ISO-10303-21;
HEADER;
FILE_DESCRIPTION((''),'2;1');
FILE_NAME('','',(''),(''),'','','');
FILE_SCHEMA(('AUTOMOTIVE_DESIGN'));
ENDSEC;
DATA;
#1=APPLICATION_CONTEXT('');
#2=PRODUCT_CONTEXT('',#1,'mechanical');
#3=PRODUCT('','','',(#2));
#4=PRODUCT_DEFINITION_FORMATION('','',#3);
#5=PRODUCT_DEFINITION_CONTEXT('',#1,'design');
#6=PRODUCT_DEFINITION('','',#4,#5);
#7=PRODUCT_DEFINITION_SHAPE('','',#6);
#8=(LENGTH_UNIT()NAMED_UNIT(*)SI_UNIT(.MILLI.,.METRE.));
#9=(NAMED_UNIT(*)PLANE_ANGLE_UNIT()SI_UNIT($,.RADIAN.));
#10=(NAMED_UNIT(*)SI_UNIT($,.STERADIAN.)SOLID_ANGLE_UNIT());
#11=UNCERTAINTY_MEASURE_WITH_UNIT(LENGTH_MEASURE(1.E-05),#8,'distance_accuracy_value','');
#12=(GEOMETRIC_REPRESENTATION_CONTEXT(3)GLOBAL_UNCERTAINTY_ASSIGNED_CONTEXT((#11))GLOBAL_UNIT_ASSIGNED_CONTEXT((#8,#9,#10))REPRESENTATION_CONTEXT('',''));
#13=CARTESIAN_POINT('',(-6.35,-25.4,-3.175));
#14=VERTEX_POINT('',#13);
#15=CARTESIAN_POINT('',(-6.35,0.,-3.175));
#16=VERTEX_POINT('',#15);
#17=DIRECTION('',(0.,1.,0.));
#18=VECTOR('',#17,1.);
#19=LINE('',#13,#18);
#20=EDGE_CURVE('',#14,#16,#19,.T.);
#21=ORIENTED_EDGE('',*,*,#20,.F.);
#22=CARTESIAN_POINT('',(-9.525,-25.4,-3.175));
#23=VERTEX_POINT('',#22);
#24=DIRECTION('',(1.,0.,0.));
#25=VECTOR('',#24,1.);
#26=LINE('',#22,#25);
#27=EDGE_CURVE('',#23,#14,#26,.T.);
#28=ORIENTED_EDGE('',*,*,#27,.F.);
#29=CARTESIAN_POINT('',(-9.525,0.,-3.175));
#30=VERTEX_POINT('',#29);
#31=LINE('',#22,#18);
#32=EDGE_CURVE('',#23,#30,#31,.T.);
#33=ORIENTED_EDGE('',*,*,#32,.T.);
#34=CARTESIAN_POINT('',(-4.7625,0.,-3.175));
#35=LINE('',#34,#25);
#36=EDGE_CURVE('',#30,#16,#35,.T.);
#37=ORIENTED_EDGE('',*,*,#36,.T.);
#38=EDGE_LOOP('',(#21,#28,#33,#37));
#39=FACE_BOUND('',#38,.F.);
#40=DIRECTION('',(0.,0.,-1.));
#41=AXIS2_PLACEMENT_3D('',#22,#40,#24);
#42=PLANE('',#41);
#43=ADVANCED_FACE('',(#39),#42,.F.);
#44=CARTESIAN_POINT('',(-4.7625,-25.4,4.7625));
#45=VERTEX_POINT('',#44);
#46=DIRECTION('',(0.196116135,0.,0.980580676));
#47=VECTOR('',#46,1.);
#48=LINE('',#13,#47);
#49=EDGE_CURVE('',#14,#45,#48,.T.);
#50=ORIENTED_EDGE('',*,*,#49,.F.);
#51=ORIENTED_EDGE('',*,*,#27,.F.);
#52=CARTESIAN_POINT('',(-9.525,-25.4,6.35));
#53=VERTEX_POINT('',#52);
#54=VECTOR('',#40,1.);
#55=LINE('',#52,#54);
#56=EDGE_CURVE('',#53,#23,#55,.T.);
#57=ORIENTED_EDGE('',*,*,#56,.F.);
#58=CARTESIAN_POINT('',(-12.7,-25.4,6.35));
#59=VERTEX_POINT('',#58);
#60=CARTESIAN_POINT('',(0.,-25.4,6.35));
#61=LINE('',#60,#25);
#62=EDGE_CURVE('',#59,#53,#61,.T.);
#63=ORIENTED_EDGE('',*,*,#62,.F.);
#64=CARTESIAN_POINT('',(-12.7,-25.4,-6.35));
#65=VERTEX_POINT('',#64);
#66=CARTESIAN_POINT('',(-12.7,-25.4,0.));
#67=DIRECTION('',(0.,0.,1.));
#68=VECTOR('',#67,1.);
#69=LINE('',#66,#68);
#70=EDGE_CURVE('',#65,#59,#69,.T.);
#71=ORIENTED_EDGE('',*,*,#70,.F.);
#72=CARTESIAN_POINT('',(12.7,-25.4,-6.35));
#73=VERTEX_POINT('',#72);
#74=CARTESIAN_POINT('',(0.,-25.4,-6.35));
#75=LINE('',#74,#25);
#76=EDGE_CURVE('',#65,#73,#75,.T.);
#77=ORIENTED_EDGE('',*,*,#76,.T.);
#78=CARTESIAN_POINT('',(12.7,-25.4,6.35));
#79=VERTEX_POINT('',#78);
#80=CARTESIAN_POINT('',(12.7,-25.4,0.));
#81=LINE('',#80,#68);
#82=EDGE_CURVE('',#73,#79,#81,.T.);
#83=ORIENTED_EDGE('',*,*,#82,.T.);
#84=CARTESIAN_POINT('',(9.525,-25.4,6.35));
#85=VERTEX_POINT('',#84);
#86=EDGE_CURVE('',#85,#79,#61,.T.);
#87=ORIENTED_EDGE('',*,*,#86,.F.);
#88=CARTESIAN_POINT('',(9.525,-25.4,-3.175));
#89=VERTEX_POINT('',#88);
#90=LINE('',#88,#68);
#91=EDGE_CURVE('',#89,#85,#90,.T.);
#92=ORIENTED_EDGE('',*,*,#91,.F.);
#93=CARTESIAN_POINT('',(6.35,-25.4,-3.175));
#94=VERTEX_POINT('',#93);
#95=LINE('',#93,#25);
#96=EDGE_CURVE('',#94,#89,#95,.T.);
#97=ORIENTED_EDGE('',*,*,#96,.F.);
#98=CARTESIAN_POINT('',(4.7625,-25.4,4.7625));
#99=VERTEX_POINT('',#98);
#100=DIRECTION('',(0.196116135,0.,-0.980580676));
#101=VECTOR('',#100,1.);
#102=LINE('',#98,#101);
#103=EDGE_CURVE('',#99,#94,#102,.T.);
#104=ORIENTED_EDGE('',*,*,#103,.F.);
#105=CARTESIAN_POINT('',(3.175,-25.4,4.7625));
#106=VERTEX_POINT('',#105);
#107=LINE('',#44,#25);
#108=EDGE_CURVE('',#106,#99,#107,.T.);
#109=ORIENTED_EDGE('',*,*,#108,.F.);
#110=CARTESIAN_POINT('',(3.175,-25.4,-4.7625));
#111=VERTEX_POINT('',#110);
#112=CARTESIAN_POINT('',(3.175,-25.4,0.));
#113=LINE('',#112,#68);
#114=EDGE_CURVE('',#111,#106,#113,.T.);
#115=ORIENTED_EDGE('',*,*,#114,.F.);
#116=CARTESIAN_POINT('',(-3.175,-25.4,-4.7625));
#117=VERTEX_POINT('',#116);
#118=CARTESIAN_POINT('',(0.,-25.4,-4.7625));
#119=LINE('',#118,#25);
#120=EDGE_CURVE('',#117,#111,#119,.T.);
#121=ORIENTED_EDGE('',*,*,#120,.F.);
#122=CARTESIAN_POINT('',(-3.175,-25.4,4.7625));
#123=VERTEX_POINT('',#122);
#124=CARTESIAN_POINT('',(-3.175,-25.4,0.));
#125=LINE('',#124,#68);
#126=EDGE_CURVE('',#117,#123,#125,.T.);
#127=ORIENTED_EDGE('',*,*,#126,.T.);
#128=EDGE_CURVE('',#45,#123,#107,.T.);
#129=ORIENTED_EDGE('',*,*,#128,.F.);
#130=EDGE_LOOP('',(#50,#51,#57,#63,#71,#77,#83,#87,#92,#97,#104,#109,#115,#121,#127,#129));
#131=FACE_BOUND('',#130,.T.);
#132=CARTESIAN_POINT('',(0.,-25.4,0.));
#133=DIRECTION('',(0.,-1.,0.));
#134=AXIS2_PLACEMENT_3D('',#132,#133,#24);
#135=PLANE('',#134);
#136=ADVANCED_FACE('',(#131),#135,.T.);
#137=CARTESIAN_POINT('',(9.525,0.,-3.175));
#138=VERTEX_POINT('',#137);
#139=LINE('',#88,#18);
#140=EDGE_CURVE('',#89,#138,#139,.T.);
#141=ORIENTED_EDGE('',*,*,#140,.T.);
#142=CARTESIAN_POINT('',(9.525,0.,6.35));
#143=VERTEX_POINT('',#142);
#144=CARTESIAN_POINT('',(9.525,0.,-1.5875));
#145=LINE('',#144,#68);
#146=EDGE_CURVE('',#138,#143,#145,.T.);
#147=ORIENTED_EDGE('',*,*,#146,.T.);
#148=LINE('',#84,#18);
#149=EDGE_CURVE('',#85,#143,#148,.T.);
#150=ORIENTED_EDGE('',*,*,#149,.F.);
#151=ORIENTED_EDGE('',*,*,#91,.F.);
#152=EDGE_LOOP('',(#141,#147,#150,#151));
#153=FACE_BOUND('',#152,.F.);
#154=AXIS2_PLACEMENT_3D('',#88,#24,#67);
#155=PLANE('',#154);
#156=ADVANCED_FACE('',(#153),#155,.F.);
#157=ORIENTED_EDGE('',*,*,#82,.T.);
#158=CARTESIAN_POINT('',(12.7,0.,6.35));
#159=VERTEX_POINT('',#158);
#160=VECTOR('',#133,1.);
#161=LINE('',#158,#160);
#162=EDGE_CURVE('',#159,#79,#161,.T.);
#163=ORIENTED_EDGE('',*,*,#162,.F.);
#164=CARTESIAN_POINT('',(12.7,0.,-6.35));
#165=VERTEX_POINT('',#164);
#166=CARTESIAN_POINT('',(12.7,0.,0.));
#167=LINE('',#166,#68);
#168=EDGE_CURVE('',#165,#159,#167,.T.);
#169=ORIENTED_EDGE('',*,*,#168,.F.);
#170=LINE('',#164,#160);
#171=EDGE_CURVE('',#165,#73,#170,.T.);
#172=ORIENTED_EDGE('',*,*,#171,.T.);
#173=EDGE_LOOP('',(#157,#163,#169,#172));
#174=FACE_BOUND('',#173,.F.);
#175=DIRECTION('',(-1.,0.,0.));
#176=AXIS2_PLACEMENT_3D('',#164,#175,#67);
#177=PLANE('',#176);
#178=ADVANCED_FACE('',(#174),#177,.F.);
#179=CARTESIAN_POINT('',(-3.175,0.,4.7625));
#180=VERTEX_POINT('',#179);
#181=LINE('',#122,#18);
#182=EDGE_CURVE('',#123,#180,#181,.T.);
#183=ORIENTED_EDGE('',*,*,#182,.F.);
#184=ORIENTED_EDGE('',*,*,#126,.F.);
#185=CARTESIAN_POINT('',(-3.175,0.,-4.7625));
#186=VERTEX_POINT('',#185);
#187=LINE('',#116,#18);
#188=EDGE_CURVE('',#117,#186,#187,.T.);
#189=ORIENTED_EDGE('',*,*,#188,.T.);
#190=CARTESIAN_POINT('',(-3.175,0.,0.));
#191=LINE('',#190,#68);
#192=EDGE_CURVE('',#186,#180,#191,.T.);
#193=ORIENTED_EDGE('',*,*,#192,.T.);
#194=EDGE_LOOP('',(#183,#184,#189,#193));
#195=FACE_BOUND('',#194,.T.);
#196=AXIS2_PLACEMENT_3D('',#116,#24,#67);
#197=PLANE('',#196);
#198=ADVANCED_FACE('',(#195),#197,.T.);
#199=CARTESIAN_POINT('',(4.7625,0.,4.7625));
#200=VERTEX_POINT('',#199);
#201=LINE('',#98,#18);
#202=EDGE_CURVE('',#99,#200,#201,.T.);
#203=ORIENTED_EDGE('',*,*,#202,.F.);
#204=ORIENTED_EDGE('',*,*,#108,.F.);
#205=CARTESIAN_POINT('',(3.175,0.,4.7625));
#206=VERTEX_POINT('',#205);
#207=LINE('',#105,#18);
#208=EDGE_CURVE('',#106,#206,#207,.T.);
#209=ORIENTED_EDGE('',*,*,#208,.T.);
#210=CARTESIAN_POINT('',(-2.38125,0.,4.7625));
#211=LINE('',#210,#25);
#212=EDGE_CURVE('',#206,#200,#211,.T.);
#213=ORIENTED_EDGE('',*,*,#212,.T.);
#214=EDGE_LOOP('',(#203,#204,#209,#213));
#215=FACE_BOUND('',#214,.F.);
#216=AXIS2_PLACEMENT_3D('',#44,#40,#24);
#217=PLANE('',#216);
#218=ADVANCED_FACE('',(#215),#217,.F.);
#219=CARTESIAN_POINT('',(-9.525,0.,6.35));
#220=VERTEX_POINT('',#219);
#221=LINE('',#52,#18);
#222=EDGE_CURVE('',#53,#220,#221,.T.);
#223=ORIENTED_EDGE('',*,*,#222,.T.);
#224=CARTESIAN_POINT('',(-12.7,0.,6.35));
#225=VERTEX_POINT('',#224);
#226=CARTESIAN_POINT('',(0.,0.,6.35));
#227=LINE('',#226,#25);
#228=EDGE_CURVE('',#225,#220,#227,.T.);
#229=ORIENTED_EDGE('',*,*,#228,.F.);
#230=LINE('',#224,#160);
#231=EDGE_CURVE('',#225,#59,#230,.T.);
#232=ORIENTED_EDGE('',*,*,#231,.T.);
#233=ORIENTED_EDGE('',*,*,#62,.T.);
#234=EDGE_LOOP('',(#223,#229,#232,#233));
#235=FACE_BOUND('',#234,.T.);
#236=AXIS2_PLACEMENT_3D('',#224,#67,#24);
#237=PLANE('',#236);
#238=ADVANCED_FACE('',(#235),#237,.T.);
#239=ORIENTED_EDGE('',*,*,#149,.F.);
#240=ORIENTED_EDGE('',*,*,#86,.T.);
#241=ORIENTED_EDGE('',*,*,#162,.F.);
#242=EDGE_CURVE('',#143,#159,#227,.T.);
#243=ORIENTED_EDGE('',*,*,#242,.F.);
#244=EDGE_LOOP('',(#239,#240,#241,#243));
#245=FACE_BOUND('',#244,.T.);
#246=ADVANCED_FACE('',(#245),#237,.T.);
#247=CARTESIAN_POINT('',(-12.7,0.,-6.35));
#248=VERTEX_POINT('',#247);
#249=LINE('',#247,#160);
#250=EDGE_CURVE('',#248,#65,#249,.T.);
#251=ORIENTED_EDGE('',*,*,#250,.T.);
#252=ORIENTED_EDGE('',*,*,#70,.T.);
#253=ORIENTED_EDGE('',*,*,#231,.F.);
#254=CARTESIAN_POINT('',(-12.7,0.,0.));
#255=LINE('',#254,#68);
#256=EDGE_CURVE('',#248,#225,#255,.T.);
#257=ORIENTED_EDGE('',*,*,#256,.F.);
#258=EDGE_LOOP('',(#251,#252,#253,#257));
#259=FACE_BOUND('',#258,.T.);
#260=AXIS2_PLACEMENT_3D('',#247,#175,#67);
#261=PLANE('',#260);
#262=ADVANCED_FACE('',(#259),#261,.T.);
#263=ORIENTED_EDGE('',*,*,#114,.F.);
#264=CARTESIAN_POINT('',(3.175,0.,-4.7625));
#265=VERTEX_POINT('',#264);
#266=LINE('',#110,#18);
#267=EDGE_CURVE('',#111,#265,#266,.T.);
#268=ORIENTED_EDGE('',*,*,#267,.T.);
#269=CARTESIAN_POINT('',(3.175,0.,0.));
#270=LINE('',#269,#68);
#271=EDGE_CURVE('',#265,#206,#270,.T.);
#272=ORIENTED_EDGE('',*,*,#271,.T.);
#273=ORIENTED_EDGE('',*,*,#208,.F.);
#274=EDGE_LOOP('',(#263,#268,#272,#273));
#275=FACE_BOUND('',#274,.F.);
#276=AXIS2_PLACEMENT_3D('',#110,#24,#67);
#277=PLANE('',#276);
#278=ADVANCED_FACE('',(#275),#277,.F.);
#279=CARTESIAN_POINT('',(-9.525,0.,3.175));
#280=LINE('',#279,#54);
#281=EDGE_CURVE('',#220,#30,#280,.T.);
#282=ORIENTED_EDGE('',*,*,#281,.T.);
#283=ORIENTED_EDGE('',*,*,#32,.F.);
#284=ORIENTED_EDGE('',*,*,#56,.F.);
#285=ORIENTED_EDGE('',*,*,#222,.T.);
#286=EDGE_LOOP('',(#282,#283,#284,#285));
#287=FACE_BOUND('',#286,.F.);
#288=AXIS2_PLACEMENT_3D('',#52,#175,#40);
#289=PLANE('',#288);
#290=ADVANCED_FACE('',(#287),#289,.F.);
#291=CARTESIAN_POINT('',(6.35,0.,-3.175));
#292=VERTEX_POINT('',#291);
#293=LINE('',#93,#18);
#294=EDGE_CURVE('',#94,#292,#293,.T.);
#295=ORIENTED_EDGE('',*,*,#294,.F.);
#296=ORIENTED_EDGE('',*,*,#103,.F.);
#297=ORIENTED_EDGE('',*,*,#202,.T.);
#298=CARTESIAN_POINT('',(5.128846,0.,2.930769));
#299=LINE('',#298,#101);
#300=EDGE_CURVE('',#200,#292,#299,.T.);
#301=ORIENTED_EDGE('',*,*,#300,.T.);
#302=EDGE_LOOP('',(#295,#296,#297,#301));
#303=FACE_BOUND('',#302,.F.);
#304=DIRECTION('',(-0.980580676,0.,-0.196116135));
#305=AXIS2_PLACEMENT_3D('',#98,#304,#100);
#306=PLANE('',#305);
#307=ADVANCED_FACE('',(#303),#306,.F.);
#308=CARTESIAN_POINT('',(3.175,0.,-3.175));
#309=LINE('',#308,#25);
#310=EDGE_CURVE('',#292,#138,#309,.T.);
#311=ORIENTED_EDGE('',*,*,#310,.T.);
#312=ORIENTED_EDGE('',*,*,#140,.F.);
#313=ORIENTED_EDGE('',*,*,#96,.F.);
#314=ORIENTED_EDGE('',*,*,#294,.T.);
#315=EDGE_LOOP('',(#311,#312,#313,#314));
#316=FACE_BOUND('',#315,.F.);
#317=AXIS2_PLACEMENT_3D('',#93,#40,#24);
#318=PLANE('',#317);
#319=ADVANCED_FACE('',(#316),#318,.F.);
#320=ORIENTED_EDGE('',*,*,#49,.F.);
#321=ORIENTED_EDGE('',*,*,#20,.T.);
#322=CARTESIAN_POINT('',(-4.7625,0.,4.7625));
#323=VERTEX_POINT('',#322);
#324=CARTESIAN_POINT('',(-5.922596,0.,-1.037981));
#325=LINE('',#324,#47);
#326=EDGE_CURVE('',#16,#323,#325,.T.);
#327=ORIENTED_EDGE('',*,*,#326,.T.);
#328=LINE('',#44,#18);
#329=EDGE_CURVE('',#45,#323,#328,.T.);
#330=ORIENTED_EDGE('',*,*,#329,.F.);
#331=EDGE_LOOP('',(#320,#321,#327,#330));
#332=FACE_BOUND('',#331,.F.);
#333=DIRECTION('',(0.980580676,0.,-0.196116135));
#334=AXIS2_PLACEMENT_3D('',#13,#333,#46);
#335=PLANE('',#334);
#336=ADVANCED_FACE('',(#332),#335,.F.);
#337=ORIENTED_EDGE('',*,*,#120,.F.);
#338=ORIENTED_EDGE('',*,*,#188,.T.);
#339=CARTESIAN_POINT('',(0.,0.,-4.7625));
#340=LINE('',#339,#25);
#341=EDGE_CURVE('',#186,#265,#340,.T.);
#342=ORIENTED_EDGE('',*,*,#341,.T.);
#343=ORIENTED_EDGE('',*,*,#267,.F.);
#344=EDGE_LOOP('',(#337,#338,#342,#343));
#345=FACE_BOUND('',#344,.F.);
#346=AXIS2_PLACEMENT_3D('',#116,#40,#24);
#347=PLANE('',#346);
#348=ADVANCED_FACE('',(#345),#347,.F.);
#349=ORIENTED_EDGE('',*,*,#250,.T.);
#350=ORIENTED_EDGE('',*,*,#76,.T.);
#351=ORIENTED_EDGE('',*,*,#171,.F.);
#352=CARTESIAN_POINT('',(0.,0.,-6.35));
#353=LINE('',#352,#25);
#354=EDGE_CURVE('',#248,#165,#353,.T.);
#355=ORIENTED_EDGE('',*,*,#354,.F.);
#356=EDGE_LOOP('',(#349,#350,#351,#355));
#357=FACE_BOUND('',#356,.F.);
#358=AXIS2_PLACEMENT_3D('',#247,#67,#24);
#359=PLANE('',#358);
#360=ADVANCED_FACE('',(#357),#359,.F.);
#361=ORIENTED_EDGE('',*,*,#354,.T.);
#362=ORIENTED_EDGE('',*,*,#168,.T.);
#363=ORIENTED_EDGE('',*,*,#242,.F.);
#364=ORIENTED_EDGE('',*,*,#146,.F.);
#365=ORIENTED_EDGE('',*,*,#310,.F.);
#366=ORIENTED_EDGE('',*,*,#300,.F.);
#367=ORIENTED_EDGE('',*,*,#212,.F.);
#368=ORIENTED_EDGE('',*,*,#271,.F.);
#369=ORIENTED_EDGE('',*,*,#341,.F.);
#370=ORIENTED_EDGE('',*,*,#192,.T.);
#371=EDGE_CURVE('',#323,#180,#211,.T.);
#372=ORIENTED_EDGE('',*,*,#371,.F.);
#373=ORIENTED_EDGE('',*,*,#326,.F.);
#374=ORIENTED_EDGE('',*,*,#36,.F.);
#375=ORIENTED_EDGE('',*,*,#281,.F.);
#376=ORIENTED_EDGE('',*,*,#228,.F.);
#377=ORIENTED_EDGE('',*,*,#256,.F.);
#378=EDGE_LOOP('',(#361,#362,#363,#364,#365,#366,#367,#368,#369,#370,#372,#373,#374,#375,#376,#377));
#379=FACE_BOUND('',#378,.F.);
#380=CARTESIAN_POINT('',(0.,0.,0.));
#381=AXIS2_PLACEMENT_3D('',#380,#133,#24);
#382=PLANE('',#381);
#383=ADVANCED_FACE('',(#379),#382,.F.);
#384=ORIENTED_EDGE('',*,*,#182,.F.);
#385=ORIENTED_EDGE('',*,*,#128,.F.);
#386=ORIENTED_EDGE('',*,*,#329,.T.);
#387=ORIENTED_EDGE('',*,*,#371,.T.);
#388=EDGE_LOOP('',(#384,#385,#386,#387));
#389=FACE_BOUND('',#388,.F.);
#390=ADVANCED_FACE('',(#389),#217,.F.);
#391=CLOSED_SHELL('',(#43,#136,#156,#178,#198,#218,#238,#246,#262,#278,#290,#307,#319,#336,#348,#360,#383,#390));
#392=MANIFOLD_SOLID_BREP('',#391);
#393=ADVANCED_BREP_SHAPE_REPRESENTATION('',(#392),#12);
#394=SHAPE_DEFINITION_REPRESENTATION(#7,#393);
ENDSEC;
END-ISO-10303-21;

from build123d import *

# Parameters (mm, degrees)
F0_W     = 25.4
F0_H     = 12.7
F1_DEPTH = 25.4
F2_W     = 6.35
F2_H     = 9.525
F3_DEPTH = 25.4
F5_DEPTH = 25.401


with BuildPart() as f1:
    # F0 (on Front) → F1 (new body)
    with BuildSketch(Plane.XZ):
        Rectangle(F0_W, F0_H)
    extrude(amount=F1_DEPTH)

    # F2 (on face) → F3 (cut)
    with BuildSketch(Plane.XZ.offset(25.4)):
        Rectangle(F2_W, F2_H)
    extrude(amount=-F3_DEPTH, mode=Mode.SUBTRACT)

    # F4 (on face) → F5 (cut, through all)
    with BuildSketch(Plane.XZ.offset(25.4)):
        Polygon((-4.7625, 4.7625), (-3.175, 4.7625), (3.175, 4.7625), (4.7625, 4.7625), (6.35, -3.175), (9.525, -3.175), (9.525, 6.35), (0, 6.35), (-9.525, 6.35), (-9.525, -3.175), (-6.35, -3.175), align=None)
    extrude(amount=-F5_DEPTH, mode=Mode.SUBTRACT)


solid = f1.part
